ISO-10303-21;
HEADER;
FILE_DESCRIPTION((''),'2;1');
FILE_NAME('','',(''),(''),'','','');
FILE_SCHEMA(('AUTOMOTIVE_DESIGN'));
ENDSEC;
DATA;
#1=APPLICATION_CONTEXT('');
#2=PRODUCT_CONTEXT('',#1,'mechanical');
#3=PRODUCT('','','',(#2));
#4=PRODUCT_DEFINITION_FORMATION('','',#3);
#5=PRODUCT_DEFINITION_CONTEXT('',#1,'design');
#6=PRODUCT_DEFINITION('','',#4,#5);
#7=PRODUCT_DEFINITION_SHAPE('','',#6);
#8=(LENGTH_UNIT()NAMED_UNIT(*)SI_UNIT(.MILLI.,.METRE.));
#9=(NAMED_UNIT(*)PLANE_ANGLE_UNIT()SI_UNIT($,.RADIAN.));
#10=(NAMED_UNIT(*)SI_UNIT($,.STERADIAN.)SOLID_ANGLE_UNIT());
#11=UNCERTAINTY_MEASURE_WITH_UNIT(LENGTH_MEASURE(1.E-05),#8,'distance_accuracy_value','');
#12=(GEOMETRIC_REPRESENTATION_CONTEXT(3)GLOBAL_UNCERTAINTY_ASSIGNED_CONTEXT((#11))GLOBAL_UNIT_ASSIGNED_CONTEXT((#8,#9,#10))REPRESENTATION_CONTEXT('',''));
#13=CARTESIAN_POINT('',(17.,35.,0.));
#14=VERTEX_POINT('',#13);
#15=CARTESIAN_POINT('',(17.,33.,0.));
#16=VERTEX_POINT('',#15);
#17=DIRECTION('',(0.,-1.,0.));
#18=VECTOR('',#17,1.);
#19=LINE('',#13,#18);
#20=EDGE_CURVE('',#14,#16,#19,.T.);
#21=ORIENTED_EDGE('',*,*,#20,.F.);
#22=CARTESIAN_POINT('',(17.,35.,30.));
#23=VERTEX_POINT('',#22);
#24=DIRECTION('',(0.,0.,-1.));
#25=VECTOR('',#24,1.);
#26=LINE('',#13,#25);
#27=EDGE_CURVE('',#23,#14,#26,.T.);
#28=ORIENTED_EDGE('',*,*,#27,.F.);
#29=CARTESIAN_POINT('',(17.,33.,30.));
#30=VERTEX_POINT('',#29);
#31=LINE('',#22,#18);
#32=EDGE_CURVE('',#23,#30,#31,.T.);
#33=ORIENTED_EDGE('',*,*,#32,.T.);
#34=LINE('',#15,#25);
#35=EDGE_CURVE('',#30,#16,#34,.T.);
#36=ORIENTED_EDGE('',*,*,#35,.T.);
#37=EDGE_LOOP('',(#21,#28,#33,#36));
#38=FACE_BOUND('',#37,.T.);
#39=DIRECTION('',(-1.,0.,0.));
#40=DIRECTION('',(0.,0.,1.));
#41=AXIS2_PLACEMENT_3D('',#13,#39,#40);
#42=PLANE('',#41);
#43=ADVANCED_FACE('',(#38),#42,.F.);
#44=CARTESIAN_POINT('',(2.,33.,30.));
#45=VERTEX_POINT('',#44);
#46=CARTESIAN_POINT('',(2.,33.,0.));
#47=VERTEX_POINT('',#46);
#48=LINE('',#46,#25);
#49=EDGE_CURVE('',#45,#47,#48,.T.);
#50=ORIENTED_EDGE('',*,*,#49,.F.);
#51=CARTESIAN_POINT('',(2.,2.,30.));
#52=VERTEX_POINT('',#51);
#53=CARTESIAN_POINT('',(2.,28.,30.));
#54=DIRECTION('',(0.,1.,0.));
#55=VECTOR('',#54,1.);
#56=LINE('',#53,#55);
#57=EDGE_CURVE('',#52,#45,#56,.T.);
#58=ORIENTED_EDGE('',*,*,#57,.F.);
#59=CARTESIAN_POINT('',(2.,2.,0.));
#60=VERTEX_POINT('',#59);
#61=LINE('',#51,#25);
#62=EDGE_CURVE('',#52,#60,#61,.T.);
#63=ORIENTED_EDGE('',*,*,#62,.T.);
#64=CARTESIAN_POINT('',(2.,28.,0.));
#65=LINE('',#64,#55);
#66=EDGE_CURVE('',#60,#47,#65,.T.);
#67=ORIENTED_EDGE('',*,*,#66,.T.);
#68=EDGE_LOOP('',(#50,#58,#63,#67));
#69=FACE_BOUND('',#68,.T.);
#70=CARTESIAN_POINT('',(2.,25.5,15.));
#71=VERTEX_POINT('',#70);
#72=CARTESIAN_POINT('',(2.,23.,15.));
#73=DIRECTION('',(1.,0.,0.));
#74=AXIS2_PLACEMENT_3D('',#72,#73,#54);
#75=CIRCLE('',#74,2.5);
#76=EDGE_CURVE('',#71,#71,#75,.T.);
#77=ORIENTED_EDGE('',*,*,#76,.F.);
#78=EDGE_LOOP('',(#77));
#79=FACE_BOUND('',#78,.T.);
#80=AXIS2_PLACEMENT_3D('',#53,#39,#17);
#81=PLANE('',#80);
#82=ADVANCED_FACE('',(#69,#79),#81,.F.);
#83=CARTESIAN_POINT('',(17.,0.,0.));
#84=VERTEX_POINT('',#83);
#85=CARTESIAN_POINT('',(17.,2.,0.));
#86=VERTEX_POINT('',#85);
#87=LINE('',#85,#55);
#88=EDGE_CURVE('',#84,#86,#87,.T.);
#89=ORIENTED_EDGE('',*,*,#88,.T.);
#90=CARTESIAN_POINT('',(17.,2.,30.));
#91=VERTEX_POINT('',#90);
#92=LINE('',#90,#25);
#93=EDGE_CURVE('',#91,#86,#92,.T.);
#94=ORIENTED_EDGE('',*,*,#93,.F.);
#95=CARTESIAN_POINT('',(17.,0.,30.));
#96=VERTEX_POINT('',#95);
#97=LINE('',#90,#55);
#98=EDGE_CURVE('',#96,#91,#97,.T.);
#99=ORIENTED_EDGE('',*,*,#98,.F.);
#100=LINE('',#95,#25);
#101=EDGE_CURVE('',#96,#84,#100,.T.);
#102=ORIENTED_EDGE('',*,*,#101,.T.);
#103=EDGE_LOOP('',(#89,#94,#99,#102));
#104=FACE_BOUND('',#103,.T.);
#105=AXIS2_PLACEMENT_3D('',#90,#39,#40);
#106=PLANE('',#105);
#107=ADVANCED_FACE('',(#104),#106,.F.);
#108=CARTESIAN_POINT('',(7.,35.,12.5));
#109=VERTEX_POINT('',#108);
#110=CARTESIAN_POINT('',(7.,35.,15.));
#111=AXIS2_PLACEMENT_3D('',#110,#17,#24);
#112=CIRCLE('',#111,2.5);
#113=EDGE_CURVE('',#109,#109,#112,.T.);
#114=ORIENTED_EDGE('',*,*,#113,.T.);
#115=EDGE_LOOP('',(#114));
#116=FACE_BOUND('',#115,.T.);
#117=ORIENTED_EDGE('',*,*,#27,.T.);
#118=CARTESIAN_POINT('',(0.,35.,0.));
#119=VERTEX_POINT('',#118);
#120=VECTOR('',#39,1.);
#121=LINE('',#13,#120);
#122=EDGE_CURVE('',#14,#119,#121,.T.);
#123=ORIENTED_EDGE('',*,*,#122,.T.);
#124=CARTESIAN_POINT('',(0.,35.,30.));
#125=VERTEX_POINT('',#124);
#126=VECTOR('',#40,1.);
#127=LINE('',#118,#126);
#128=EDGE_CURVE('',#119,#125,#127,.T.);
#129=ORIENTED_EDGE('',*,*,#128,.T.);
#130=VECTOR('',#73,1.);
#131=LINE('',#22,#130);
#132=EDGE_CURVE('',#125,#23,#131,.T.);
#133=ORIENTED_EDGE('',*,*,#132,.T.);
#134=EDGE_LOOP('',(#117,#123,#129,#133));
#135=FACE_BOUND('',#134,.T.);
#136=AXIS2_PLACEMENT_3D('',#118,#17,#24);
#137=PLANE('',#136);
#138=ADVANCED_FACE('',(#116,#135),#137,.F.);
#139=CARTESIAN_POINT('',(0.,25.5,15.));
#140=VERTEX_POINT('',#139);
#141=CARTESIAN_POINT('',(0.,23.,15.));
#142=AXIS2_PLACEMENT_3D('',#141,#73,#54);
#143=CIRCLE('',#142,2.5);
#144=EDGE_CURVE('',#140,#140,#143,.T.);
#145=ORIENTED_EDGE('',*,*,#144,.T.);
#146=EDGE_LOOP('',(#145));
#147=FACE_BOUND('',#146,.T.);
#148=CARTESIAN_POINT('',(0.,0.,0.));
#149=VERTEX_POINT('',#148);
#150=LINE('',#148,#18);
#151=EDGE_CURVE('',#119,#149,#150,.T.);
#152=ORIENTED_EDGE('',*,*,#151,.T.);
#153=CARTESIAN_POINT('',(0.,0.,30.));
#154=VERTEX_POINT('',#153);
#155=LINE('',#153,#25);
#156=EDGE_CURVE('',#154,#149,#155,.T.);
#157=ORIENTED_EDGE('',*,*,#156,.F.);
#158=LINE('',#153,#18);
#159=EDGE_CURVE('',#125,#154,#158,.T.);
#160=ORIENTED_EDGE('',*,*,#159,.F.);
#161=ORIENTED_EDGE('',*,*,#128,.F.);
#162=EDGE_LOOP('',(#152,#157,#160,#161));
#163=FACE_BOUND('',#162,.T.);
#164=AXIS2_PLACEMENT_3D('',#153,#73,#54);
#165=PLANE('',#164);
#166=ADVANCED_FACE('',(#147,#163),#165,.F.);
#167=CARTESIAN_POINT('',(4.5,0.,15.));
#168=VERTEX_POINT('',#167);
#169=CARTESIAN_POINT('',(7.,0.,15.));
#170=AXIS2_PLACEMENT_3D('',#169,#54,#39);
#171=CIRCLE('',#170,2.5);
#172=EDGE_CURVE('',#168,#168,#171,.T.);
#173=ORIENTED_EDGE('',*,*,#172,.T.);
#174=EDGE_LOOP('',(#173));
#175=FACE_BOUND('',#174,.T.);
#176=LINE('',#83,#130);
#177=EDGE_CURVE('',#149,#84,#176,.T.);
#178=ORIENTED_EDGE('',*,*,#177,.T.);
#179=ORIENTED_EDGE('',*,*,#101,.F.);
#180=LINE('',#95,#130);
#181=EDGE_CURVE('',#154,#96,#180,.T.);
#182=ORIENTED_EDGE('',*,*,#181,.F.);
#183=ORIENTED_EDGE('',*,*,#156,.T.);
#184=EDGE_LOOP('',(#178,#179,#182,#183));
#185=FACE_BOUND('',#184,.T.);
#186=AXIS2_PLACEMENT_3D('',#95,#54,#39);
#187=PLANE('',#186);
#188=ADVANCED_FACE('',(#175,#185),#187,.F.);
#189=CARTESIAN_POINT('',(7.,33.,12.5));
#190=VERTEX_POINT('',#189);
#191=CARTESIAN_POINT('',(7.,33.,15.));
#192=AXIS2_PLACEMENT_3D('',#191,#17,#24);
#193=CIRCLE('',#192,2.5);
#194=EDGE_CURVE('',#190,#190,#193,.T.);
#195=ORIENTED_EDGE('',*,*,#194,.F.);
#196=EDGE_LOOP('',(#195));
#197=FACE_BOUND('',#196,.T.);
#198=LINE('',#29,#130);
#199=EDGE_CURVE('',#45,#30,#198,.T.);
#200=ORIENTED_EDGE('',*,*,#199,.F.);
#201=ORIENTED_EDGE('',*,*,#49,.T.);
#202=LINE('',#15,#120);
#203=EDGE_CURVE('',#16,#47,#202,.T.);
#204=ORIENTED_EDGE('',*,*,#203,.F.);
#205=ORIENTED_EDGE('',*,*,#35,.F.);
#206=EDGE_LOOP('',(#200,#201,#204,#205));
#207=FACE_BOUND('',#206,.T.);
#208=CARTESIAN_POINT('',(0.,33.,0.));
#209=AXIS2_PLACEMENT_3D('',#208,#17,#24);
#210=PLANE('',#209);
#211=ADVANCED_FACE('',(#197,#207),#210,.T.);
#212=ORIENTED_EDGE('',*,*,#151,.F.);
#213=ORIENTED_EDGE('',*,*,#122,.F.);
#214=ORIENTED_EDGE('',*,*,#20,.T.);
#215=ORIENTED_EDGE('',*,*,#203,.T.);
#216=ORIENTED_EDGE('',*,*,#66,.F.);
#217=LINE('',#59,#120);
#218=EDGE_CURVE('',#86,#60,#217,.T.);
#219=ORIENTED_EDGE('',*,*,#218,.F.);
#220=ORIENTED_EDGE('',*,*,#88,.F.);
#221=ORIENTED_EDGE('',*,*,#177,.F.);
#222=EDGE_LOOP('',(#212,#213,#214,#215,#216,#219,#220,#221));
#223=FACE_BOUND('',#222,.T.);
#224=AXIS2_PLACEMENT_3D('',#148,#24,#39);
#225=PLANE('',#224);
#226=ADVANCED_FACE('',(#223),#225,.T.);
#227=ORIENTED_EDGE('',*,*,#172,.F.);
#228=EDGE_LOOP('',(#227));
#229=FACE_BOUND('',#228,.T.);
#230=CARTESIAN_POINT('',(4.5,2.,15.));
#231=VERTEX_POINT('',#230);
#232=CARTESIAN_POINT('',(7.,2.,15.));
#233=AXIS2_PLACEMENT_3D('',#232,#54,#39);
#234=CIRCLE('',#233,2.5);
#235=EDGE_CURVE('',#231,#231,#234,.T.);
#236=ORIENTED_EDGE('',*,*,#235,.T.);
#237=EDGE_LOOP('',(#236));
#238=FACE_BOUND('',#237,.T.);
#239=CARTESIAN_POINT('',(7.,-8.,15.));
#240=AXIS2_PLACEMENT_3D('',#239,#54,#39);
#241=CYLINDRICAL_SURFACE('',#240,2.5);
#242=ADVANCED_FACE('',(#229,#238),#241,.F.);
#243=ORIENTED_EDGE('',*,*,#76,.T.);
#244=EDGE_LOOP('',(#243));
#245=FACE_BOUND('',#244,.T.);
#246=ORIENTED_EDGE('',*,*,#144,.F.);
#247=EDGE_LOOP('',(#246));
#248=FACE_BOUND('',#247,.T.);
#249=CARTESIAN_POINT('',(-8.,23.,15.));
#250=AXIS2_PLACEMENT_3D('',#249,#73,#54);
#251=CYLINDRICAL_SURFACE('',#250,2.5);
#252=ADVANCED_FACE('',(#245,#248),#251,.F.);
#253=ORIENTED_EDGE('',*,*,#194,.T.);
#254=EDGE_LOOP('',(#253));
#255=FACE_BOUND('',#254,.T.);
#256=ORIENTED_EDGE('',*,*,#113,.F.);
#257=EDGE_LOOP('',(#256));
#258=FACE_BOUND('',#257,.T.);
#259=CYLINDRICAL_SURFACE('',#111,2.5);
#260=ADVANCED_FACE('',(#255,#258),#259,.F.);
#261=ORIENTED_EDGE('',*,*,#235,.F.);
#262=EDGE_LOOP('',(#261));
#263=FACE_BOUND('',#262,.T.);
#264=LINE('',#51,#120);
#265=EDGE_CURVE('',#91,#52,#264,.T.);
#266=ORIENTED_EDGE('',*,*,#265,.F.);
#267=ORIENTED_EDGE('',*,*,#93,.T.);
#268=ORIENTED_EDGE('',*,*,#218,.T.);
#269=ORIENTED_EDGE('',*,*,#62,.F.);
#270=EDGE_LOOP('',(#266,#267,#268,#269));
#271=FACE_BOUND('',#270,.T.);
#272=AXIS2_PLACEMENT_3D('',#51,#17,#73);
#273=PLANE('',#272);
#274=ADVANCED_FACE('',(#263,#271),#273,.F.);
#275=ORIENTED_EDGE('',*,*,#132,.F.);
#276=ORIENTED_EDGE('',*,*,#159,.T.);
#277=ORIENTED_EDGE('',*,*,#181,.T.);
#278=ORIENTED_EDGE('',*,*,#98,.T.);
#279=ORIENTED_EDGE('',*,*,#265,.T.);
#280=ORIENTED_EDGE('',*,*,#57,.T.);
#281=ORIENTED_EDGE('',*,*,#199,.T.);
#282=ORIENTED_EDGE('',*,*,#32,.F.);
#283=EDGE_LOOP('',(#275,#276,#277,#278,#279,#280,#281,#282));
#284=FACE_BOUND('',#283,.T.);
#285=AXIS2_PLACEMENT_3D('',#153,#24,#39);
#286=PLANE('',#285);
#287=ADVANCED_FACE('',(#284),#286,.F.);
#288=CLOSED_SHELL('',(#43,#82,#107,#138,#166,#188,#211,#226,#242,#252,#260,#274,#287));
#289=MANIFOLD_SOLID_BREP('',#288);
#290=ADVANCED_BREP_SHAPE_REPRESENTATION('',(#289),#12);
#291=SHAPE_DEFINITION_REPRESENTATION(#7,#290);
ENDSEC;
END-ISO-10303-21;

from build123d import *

# Parameters (mm, degrees)
BOSS_EXTRUDE1_DEPTH = 30
SKETCH2_R           = 2.5
CUT_EXTRUDE1_DEPTH  = 10
SKETCH3_R           = 2.5
CUT_EXTRUDE2_DEPTH  = 10
SKETCH4_W           = 2
SKETCH4_H           = 30
BOSS_EXTRUDE2_DEPTH = 5
SKETCH5_W           = 17
SKETCH5_H           = 30
BOSS_EXTRUDE3_DEPTH = 2
SKETCH6_R           = 2.5
CUT_EXTRUDE3_DEPTH  = 2


with BuildPart() as part:
    # Sketch1 → Boss-Extrude1 (new body)
    with BuildSketch(Plane.XY):
        Polygon((0, 0), (0, 28), (2, 28), (2, 2), (17, 2), (17, 0), align=None)
    extrude(amount=BOSS_EXTRUDE1_DEPTH)

    # Sketch2 → Cut-Extrude1 (cut)
    with BuildSketch(Plane(origin=(0, 2, 0), x_dir=(1, 0, 0), z_dir=(0, 1, 0))):
        with Locations((7, -15)):
            Circle(SKETCH2_R)
    extrude(amount=-CUT_EXTRUDE1_DEPTH, mode=Mode.SUBTRACT)

    # Sketch3 → Cut-Extrude2 (cut)
    with BuildSketch(Plane(origin=(2, 0, 0), x_dir=(0, 0, -1), z_dir=(1, 0, 0))):
        with Locations((-15, 23)):
            Circle(SKETCH3_R)
    extrude(amount=-CUT_EXTRUDE2_DEPTH, mode=Mode.SUBTRACT)

    # Sketch4 → Boss-Extrude2 (add)
    with BuildSketch(Plane(origin=(0, 28, 0), x_dir=(1, 0, 0), z_dir=(0, 1, 0))):
        with Locations((1, -15)):
            Rectangle(SKETCH4_W, SKETCH4_H)
    extrude(amount=BOSS_EXTRUDE2_DEPTH)

    # Sketch5 → Boss-Extrude3 (add)
    with BuildSketch(Plane(origin=(0, 33, 0), x_dir=(1, 0, 0), z_dir=(0, 1, 0))):
        with Locations((8.5, -15)):
            Rectangle(SKETCH5_W, SKETCH5_H)
    extrude(amount=BOSS_EXTRUDE3_DEPTH)

    # Sketch6 → Cut-Extrude3 (cut)
    with BuildSketch(Plane.XZ.offset(-33)):
        with Locations((7, 15)):
            Circle(SKETCH6_R)
    extrude(amount=-CUT_EXTRUDE3_DEPTH, mode=Mode.SUBTRACT)


solid = part.part
